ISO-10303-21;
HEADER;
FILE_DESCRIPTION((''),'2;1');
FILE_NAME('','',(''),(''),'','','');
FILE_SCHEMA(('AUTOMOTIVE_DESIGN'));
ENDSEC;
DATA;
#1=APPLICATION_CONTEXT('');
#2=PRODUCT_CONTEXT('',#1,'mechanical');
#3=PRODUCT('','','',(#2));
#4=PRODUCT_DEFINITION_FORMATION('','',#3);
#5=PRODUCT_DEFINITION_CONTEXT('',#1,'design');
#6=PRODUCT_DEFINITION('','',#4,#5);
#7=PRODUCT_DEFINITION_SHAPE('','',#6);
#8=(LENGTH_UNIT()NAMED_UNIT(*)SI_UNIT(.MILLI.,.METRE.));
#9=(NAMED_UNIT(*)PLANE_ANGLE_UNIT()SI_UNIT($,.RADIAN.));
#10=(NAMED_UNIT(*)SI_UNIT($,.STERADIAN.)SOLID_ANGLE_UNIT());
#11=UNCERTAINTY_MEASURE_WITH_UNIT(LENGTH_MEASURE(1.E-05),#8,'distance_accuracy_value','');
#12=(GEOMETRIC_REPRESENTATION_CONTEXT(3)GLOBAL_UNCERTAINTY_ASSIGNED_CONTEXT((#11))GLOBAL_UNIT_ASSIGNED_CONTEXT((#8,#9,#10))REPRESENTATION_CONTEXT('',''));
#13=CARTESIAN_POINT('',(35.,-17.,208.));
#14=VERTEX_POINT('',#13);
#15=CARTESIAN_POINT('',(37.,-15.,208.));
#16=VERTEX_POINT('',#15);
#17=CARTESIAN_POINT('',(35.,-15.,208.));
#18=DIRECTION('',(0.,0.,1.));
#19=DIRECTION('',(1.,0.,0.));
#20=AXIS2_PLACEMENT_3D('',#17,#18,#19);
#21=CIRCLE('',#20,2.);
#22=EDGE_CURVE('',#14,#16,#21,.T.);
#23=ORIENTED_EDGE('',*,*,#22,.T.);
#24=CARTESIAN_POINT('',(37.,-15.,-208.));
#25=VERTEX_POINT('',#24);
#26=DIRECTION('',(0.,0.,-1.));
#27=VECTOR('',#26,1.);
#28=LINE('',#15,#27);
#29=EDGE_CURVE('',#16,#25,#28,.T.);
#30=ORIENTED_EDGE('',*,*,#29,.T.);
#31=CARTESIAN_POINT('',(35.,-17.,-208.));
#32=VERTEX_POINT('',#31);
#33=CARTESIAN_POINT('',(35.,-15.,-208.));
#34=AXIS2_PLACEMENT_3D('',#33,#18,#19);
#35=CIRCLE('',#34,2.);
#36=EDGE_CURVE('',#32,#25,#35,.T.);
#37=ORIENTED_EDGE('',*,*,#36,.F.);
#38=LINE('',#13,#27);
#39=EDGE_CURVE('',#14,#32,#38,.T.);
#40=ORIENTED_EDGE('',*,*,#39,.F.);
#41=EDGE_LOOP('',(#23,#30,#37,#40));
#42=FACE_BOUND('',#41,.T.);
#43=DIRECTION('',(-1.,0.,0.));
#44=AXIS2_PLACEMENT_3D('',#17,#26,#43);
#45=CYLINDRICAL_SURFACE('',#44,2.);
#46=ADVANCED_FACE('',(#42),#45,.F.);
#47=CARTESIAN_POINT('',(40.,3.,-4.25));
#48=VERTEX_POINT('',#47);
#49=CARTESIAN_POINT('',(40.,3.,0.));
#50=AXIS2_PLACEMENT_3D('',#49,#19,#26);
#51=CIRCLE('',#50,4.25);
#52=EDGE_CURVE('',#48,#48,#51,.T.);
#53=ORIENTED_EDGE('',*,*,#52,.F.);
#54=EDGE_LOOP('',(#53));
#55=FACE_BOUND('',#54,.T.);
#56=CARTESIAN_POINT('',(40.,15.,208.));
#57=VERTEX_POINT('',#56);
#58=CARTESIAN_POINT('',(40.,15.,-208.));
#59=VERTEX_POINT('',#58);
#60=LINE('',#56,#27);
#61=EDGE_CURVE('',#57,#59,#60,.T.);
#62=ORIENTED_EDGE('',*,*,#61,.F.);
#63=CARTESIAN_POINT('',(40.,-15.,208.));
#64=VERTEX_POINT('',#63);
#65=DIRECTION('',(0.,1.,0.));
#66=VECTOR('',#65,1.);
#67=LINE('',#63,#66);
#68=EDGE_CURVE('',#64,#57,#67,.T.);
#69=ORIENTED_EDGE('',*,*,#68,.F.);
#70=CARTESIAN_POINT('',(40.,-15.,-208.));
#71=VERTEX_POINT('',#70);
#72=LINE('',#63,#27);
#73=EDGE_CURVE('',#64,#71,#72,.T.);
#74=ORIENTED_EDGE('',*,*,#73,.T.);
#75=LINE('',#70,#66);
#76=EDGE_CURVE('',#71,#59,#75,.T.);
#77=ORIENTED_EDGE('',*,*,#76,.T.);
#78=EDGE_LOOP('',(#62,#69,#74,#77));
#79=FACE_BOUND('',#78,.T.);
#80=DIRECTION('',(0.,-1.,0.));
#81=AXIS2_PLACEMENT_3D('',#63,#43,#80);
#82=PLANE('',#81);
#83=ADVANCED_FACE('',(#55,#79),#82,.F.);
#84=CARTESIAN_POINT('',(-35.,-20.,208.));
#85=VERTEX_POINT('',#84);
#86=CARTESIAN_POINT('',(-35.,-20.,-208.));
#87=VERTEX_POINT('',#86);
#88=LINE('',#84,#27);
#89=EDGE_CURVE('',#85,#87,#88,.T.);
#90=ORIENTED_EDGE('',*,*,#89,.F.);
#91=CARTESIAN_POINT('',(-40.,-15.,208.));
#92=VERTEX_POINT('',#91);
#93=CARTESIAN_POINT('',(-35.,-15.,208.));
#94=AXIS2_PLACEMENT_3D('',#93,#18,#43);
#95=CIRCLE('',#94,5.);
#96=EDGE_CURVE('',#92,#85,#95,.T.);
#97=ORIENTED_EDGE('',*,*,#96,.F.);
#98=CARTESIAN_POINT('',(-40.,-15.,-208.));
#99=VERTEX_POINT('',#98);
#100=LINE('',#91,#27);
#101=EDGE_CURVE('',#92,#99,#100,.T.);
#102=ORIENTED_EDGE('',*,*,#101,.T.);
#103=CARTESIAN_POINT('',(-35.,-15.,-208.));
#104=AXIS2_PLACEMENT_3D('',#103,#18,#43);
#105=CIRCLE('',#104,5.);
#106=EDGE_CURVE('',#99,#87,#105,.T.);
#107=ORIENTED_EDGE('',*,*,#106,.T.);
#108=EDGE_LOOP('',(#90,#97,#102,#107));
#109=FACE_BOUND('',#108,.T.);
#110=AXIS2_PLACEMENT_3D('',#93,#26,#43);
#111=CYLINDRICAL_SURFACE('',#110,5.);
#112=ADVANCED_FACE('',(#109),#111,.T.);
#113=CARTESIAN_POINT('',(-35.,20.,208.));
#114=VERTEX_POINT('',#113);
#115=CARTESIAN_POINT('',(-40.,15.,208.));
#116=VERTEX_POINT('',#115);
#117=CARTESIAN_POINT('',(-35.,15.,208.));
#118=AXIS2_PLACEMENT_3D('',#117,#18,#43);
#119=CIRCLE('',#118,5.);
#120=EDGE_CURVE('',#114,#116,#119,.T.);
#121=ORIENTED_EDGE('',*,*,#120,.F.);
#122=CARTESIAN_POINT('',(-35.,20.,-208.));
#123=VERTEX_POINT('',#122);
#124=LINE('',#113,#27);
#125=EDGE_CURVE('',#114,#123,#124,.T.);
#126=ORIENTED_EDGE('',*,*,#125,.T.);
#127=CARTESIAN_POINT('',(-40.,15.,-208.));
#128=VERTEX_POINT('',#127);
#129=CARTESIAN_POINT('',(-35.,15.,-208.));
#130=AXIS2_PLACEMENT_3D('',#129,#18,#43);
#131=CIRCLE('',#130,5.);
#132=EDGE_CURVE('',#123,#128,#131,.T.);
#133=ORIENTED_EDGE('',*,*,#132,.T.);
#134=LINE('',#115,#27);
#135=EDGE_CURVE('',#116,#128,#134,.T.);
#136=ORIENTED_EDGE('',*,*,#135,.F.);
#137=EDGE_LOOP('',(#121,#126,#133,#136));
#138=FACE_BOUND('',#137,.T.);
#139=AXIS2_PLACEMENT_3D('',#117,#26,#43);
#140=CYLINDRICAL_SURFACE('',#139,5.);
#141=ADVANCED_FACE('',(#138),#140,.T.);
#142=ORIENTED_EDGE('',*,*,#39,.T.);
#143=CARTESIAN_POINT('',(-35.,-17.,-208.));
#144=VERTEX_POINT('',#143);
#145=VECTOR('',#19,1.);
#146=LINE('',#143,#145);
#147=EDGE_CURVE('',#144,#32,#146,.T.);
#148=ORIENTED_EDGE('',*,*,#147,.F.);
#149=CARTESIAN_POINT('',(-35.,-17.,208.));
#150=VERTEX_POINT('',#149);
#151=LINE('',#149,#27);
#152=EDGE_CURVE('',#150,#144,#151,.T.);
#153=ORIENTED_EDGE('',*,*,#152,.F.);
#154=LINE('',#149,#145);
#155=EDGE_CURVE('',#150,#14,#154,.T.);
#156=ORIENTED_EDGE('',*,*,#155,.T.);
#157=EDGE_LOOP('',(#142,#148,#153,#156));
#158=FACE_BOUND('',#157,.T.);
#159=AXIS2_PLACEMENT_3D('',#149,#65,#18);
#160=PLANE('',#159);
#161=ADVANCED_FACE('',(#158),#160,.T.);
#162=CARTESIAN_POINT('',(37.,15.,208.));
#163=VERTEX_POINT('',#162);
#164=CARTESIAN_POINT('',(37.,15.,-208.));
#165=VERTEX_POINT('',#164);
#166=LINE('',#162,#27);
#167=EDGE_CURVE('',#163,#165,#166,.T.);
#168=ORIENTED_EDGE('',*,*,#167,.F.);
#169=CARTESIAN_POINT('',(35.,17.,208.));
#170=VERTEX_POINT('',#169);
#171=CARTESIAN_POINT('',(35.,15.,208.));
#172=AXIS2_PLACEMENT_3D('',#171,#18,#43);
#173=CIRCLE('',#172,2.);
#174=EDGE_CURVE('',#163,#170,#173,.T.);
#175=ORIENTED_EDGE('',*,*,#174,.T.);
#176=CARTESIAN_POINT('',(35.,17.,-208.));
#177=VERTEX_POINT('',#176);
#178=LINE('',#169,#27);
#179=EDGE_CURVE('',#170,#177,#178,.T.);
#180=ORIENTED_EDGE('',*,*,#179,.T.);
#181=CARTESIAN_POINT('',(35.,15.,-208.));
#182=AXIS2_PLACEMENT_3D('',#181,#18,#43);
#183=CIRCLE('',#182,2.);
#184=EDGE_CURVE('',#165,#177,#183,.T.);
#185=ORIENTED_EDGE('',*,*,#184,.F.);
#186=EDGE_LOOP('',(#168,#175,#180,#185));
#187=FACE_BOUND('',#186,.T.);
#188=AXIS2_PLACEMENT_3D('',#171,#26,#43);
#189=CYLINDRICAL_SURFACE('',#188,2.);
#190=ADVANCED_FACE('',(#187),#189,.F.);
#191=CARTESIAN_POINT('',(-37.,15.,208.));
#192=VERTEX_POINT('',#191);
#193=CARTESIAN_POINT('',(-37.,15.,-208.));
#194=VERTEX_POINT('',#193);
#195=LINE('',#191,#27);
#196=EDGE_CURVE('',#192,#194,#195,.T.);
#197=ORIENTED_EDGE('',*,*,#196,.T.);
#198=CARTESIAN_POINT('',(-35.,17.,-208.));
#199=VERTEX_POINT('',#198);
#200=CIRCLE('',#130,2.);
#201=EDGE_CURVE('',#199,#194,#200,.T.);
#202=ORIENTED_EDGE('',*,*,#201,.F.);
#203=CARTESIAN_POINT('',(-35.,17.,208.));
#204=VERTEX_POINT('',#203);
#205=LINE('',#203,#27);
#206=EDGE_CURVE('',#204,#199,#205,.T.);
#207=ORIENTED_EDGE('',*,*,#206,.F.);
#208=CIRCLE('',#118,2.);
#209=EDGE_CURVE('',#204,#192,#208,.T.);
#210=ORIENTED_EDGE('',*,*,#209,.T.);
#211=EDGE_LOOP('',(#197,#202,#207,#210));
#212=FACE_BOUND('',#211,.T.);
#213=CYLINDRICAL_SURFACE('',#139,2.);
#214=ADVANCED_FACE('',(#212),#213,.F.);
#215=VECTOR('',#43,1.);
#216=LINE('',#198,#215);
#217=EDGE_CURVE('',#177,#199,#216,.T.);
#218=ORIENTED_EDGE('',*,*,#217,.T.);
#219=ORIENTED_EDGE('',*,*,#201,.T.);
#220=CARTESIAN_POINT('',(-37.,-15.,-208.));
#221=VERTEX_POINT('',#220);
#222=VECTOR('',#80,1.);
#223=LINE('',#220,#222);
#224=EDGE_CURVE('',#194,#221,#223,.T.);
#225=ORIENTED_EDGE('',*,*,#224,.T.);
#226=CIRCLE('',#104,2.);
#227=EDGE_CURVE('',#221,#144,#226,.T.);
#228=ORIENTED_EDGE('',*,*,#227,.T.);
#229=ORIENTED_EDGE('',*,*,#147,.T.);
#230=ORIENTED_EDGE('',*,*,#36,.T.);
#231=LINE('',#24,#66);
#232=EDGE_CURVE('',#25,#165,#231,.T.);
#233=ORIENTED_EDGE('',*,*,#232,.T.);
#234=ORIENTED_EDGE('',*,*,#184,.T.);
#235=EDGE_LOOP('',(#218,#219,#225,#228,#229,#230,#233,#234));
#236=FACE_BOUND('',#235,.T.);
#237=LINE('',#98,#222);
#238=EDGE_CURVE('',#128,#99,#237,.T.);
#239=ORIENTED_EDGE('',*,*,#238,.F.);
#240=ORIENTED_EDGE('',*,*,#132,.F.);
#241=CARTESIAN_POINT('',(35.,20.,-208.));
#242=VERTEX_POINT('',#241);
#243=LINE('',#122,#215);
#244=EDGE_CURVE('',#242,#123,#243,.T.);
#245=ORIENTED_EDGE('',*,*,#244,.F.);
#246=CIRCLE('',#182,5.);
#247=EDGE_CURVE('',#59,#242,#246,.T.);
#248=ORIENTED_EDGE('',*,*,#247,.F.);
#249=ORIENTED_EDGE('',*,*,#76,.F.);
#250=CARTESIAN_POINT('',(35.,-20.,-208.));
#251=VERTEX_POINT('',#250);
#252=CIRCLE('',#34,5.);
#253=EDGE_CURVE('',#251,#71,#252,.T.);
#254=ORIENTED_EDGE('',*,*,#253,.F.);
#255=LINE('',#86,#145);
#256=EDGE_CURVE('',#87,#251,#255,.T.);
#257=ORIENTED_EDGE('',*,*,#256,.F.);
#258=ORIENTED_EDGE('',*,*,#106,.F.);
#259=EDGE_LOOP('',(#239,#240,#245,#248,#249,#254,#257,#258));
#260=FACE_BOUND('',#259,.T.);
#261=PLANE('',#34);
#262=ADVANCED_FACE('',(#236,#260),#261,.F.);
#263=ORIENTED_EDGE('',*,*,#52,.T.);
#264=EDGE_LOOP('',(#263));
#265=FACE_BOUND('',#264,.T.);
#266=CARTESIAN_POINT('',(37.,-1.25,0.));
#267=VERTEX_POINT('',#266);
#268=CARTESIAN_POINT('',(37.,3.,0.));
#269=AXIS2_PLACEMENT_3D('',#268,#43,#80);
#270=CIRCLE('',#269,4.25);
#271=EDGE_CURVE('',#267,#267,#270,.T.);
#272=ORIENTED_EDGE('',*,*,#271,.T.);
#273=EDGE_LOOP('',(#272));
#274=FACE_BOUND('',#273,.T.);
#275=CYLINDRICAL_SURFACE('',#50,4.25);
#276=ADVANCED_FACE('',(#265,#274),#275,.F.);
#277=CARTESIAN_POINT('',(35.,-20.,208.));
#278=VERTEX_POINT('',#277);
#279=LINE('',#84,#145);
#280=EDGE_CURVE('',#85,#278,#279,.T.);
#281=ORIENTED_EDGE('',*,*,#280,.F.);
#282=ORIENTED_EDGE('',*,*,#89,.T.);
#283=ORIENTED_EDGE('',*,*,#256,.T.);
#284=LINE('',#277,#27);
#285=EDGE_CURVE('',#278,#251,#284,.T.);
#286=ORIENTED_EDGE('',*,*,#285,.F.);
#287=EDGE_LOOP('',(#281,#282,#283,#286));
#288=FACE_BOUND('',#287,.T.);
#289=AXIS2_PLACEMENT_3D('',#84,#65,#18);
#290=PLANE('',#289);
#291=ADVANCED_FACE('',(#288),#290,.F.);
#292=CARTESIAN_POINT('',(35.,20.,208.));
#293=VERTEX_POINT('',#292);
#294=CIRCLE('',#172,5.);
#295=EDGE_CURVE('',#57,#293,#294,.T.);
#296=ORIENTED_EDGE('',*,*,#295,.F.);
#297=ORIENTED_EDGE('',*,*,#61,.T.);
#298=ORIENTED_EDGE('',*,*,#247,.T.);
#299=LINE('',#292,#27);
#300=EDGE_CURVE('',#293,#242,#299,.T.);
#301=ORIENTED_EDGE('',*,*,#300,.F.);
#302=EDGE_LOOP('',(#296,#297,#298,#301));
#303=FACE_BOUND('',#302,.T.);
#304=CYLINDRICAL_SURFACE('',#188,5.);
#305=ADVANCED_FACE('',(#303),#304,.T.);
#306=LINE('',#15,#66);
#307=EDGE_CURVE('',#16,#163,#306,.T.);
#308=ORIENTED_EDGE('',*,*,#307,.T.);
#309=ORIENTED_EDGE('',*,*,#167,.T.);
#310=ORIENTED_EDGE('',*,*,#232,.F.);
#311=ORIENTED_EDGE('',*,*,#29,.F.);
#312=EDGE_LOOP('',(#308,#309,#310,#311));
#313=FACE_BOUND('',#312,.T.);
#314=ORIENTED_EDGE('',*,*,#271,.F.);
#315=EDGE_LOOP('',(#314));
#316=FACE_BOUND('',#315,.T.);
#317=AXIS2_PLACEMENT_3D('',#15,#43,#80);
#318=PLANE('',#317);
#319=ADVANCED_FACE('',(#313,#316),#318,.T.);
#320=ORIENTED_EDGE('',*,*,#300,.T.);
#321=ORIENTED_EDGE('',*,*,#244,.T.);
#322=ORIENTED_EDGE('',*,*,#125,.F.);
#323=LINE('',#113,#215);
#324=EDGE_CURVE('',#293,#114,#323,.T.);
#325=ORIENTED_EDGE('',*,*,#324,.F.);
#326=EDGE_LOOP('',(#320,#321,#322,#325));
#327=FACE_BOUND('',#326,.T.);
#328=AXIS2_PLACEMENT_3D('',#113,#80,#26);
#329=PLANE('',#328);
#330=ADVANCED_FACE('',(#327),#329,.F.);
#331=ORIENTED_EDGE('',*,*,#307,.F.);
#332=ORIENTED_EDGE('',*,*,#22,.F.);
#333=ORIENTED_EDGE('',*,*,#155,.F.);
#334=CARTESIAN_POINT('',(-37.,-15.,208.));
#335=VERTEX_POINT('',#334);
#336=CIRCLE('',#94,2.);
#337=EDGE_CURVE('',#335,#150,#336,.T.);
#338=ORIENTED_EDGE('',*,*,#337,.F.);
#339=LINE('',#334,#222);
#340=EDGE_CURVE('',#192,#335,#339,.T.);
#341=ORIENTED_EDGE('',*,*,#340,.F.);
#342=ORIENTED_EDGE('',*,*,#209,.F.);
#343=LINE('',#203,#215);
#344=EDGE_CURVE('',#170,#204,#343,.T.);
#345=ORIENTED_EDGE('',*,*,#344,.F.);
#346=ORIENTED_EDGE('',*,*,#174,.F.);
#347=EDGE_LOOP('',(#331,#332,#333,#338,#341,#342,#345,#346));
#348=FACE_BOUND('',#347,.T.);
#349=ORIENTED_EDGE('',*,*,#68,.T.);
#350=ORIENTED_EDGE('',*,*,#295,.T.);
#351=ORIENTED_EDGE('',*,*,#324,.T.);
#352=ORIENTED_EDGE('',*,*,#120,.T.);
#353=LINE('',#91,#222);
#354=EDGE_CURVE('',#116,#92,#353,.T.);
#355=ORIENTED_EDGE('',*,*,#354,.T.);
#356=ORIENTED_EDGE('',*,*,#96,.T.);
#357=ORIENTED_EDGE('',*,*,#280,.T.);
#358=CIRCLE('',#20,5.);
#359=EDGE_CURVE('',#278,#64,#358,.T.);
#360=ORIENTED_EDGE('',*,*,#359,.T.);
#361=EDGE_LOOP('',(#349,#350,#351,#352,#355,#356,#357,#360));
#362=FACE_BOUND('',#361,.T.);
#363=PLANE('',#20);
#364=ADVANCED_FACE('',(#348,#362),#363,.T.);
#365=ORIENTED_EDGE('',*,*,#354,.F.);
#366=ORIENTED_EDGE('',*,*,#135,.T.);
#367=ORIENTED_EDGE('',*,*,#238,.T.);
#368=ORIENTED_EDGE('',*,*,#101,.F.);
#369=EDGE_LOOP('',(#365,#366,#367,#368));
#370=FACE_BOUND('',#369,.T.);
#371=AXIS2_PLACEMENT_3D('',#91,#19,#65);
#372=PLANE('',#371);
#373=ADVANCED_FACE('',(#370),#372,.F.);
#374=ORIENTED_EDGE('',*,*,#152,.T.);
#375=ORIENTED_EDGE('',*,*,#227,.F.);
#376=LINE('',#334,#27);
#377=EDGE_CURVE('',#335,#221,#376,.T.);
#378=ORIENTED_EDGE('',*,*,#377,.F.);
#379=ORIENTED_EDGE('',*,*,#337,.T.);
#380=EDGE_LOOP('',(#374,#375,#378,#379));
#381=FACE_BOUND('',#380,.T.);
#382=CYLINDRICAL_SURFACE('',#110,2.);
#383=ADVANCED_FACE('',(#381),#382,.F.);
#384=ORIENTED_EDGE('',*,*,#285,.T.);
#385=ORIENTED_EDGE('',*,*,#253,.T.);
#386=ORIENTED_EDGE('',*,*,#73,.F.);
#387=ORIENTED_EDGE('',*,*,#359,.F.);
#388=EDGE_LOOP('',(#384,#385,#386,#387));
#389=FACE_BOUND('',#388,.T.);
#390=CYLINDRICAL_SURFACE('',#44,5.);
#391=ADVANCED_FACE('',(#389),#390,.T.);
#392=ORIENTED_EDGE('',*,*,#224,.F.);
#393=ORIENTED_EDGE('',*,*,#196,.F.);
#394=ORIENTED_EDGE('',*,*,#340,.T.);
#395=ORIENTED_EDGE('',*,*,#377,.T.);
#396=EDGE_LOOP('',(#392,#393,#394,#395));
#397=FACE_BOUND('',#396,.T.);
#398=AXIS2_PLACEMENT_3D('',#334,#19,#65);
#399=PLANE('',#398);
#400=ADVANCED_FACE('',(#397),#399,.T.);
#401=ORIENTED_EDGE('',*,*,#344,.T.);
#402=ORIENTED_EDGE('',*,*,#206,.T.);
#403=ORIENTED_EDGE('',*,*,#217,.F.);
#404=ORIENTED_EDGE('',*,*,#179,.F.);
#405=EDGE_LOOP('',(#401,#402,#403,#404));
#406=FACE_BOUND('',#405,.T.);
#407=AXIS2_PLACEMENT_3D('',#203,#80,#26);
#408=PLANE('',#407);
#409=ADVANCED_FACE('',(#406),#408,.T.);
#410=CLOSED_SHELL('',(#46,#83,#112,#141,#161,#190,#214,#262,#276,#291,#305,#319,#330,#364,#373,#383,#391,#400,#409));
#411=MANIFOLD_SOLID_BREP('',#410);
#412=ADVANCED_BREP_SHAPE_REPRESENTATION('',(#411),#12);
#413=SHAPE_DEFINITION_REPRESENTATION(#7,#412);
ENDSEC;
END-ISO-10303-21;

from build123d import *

# Parameters (mm, degrees)
EXTRUDE_1_DEPTH        = 208
HOLE_WIZARD_M101_D     = 8.5
HOLE_WIZARD_M101_DEPTH = 27.5
HOLE_WIZARD_M101_TIP   = 2.553657631


with BuildPart() as part:
    # Эскиз1 → Бобышка-Вытянуть1 (new, symmetric)
    with BuildSketch(Plane.XY):
        with BuildLine():
            Line((-35, -20), (35, -20))
            ThreePointArc((35, -20), (38.535533906, -18.535533906), (40, -15))
            Line((40, -15), (40, 15))
            ThreePointArc((40, 15), (38.535533906, 18.535533906), (35, 20))
            Line((35, 20), (-35, 20))
            ThreePointArc((-35, 20), (-38.535533906, 18.535533906), (-40, 15))
            Line((-40, 15), (-40, -15))
            ThreePointArc((-40, -15), (-38.535533906, -18.535533906), (-35, -20))
        make_face()
        with BuildLine():
            Line((-35, -17), (35, -17))
            ThreePointArc((35, -17), (36.414213562, -16.414213562), (37, -15))
            Line((37, -15), (37, 15))
            ThreePointArc((37, 15), (36.414213562, 16.414213562), (35, 17))
            Line((35, 17), (-35, 17))
            ThreePointArc((-35, 17), (-36.414213562, 16.414213562), (-37, 15))
            Line((-37, 15), (-37, -15))
            ThreePointArc((-37, -15), (-36.414213562, -16.414213562), (-35, -17))
        make_face(mode=Mode.SUBTRACT)
    extrude(amount=EXTRUDE_1_DEPTH, both=True)

    # Отверстие обработанное метчиком M101
    with Locations(Plane(origin=(40, 0, 0), x_dir=(0, 0, -1), z_dir=(1, 0, 0))):
        with Locations((400, 3), (0, 3), (-400, 3)):
            Hole(HOLE_WIZARD_M101_D / 2, depth=HOLE_WIZARD_M101_DEPTH)
            with Locations((0, 0, -(HOLE_WIZARD_M101_DEPTH + HOLE_WIZARD_M101_TIP / 2))):  # 118° drill point
                Cone(0, HOLE_WIZARD_M101_D / 2, HOLE_WIZARD_M101_TIP, mode=Mode.SUBTRACT)


solid = part.part
